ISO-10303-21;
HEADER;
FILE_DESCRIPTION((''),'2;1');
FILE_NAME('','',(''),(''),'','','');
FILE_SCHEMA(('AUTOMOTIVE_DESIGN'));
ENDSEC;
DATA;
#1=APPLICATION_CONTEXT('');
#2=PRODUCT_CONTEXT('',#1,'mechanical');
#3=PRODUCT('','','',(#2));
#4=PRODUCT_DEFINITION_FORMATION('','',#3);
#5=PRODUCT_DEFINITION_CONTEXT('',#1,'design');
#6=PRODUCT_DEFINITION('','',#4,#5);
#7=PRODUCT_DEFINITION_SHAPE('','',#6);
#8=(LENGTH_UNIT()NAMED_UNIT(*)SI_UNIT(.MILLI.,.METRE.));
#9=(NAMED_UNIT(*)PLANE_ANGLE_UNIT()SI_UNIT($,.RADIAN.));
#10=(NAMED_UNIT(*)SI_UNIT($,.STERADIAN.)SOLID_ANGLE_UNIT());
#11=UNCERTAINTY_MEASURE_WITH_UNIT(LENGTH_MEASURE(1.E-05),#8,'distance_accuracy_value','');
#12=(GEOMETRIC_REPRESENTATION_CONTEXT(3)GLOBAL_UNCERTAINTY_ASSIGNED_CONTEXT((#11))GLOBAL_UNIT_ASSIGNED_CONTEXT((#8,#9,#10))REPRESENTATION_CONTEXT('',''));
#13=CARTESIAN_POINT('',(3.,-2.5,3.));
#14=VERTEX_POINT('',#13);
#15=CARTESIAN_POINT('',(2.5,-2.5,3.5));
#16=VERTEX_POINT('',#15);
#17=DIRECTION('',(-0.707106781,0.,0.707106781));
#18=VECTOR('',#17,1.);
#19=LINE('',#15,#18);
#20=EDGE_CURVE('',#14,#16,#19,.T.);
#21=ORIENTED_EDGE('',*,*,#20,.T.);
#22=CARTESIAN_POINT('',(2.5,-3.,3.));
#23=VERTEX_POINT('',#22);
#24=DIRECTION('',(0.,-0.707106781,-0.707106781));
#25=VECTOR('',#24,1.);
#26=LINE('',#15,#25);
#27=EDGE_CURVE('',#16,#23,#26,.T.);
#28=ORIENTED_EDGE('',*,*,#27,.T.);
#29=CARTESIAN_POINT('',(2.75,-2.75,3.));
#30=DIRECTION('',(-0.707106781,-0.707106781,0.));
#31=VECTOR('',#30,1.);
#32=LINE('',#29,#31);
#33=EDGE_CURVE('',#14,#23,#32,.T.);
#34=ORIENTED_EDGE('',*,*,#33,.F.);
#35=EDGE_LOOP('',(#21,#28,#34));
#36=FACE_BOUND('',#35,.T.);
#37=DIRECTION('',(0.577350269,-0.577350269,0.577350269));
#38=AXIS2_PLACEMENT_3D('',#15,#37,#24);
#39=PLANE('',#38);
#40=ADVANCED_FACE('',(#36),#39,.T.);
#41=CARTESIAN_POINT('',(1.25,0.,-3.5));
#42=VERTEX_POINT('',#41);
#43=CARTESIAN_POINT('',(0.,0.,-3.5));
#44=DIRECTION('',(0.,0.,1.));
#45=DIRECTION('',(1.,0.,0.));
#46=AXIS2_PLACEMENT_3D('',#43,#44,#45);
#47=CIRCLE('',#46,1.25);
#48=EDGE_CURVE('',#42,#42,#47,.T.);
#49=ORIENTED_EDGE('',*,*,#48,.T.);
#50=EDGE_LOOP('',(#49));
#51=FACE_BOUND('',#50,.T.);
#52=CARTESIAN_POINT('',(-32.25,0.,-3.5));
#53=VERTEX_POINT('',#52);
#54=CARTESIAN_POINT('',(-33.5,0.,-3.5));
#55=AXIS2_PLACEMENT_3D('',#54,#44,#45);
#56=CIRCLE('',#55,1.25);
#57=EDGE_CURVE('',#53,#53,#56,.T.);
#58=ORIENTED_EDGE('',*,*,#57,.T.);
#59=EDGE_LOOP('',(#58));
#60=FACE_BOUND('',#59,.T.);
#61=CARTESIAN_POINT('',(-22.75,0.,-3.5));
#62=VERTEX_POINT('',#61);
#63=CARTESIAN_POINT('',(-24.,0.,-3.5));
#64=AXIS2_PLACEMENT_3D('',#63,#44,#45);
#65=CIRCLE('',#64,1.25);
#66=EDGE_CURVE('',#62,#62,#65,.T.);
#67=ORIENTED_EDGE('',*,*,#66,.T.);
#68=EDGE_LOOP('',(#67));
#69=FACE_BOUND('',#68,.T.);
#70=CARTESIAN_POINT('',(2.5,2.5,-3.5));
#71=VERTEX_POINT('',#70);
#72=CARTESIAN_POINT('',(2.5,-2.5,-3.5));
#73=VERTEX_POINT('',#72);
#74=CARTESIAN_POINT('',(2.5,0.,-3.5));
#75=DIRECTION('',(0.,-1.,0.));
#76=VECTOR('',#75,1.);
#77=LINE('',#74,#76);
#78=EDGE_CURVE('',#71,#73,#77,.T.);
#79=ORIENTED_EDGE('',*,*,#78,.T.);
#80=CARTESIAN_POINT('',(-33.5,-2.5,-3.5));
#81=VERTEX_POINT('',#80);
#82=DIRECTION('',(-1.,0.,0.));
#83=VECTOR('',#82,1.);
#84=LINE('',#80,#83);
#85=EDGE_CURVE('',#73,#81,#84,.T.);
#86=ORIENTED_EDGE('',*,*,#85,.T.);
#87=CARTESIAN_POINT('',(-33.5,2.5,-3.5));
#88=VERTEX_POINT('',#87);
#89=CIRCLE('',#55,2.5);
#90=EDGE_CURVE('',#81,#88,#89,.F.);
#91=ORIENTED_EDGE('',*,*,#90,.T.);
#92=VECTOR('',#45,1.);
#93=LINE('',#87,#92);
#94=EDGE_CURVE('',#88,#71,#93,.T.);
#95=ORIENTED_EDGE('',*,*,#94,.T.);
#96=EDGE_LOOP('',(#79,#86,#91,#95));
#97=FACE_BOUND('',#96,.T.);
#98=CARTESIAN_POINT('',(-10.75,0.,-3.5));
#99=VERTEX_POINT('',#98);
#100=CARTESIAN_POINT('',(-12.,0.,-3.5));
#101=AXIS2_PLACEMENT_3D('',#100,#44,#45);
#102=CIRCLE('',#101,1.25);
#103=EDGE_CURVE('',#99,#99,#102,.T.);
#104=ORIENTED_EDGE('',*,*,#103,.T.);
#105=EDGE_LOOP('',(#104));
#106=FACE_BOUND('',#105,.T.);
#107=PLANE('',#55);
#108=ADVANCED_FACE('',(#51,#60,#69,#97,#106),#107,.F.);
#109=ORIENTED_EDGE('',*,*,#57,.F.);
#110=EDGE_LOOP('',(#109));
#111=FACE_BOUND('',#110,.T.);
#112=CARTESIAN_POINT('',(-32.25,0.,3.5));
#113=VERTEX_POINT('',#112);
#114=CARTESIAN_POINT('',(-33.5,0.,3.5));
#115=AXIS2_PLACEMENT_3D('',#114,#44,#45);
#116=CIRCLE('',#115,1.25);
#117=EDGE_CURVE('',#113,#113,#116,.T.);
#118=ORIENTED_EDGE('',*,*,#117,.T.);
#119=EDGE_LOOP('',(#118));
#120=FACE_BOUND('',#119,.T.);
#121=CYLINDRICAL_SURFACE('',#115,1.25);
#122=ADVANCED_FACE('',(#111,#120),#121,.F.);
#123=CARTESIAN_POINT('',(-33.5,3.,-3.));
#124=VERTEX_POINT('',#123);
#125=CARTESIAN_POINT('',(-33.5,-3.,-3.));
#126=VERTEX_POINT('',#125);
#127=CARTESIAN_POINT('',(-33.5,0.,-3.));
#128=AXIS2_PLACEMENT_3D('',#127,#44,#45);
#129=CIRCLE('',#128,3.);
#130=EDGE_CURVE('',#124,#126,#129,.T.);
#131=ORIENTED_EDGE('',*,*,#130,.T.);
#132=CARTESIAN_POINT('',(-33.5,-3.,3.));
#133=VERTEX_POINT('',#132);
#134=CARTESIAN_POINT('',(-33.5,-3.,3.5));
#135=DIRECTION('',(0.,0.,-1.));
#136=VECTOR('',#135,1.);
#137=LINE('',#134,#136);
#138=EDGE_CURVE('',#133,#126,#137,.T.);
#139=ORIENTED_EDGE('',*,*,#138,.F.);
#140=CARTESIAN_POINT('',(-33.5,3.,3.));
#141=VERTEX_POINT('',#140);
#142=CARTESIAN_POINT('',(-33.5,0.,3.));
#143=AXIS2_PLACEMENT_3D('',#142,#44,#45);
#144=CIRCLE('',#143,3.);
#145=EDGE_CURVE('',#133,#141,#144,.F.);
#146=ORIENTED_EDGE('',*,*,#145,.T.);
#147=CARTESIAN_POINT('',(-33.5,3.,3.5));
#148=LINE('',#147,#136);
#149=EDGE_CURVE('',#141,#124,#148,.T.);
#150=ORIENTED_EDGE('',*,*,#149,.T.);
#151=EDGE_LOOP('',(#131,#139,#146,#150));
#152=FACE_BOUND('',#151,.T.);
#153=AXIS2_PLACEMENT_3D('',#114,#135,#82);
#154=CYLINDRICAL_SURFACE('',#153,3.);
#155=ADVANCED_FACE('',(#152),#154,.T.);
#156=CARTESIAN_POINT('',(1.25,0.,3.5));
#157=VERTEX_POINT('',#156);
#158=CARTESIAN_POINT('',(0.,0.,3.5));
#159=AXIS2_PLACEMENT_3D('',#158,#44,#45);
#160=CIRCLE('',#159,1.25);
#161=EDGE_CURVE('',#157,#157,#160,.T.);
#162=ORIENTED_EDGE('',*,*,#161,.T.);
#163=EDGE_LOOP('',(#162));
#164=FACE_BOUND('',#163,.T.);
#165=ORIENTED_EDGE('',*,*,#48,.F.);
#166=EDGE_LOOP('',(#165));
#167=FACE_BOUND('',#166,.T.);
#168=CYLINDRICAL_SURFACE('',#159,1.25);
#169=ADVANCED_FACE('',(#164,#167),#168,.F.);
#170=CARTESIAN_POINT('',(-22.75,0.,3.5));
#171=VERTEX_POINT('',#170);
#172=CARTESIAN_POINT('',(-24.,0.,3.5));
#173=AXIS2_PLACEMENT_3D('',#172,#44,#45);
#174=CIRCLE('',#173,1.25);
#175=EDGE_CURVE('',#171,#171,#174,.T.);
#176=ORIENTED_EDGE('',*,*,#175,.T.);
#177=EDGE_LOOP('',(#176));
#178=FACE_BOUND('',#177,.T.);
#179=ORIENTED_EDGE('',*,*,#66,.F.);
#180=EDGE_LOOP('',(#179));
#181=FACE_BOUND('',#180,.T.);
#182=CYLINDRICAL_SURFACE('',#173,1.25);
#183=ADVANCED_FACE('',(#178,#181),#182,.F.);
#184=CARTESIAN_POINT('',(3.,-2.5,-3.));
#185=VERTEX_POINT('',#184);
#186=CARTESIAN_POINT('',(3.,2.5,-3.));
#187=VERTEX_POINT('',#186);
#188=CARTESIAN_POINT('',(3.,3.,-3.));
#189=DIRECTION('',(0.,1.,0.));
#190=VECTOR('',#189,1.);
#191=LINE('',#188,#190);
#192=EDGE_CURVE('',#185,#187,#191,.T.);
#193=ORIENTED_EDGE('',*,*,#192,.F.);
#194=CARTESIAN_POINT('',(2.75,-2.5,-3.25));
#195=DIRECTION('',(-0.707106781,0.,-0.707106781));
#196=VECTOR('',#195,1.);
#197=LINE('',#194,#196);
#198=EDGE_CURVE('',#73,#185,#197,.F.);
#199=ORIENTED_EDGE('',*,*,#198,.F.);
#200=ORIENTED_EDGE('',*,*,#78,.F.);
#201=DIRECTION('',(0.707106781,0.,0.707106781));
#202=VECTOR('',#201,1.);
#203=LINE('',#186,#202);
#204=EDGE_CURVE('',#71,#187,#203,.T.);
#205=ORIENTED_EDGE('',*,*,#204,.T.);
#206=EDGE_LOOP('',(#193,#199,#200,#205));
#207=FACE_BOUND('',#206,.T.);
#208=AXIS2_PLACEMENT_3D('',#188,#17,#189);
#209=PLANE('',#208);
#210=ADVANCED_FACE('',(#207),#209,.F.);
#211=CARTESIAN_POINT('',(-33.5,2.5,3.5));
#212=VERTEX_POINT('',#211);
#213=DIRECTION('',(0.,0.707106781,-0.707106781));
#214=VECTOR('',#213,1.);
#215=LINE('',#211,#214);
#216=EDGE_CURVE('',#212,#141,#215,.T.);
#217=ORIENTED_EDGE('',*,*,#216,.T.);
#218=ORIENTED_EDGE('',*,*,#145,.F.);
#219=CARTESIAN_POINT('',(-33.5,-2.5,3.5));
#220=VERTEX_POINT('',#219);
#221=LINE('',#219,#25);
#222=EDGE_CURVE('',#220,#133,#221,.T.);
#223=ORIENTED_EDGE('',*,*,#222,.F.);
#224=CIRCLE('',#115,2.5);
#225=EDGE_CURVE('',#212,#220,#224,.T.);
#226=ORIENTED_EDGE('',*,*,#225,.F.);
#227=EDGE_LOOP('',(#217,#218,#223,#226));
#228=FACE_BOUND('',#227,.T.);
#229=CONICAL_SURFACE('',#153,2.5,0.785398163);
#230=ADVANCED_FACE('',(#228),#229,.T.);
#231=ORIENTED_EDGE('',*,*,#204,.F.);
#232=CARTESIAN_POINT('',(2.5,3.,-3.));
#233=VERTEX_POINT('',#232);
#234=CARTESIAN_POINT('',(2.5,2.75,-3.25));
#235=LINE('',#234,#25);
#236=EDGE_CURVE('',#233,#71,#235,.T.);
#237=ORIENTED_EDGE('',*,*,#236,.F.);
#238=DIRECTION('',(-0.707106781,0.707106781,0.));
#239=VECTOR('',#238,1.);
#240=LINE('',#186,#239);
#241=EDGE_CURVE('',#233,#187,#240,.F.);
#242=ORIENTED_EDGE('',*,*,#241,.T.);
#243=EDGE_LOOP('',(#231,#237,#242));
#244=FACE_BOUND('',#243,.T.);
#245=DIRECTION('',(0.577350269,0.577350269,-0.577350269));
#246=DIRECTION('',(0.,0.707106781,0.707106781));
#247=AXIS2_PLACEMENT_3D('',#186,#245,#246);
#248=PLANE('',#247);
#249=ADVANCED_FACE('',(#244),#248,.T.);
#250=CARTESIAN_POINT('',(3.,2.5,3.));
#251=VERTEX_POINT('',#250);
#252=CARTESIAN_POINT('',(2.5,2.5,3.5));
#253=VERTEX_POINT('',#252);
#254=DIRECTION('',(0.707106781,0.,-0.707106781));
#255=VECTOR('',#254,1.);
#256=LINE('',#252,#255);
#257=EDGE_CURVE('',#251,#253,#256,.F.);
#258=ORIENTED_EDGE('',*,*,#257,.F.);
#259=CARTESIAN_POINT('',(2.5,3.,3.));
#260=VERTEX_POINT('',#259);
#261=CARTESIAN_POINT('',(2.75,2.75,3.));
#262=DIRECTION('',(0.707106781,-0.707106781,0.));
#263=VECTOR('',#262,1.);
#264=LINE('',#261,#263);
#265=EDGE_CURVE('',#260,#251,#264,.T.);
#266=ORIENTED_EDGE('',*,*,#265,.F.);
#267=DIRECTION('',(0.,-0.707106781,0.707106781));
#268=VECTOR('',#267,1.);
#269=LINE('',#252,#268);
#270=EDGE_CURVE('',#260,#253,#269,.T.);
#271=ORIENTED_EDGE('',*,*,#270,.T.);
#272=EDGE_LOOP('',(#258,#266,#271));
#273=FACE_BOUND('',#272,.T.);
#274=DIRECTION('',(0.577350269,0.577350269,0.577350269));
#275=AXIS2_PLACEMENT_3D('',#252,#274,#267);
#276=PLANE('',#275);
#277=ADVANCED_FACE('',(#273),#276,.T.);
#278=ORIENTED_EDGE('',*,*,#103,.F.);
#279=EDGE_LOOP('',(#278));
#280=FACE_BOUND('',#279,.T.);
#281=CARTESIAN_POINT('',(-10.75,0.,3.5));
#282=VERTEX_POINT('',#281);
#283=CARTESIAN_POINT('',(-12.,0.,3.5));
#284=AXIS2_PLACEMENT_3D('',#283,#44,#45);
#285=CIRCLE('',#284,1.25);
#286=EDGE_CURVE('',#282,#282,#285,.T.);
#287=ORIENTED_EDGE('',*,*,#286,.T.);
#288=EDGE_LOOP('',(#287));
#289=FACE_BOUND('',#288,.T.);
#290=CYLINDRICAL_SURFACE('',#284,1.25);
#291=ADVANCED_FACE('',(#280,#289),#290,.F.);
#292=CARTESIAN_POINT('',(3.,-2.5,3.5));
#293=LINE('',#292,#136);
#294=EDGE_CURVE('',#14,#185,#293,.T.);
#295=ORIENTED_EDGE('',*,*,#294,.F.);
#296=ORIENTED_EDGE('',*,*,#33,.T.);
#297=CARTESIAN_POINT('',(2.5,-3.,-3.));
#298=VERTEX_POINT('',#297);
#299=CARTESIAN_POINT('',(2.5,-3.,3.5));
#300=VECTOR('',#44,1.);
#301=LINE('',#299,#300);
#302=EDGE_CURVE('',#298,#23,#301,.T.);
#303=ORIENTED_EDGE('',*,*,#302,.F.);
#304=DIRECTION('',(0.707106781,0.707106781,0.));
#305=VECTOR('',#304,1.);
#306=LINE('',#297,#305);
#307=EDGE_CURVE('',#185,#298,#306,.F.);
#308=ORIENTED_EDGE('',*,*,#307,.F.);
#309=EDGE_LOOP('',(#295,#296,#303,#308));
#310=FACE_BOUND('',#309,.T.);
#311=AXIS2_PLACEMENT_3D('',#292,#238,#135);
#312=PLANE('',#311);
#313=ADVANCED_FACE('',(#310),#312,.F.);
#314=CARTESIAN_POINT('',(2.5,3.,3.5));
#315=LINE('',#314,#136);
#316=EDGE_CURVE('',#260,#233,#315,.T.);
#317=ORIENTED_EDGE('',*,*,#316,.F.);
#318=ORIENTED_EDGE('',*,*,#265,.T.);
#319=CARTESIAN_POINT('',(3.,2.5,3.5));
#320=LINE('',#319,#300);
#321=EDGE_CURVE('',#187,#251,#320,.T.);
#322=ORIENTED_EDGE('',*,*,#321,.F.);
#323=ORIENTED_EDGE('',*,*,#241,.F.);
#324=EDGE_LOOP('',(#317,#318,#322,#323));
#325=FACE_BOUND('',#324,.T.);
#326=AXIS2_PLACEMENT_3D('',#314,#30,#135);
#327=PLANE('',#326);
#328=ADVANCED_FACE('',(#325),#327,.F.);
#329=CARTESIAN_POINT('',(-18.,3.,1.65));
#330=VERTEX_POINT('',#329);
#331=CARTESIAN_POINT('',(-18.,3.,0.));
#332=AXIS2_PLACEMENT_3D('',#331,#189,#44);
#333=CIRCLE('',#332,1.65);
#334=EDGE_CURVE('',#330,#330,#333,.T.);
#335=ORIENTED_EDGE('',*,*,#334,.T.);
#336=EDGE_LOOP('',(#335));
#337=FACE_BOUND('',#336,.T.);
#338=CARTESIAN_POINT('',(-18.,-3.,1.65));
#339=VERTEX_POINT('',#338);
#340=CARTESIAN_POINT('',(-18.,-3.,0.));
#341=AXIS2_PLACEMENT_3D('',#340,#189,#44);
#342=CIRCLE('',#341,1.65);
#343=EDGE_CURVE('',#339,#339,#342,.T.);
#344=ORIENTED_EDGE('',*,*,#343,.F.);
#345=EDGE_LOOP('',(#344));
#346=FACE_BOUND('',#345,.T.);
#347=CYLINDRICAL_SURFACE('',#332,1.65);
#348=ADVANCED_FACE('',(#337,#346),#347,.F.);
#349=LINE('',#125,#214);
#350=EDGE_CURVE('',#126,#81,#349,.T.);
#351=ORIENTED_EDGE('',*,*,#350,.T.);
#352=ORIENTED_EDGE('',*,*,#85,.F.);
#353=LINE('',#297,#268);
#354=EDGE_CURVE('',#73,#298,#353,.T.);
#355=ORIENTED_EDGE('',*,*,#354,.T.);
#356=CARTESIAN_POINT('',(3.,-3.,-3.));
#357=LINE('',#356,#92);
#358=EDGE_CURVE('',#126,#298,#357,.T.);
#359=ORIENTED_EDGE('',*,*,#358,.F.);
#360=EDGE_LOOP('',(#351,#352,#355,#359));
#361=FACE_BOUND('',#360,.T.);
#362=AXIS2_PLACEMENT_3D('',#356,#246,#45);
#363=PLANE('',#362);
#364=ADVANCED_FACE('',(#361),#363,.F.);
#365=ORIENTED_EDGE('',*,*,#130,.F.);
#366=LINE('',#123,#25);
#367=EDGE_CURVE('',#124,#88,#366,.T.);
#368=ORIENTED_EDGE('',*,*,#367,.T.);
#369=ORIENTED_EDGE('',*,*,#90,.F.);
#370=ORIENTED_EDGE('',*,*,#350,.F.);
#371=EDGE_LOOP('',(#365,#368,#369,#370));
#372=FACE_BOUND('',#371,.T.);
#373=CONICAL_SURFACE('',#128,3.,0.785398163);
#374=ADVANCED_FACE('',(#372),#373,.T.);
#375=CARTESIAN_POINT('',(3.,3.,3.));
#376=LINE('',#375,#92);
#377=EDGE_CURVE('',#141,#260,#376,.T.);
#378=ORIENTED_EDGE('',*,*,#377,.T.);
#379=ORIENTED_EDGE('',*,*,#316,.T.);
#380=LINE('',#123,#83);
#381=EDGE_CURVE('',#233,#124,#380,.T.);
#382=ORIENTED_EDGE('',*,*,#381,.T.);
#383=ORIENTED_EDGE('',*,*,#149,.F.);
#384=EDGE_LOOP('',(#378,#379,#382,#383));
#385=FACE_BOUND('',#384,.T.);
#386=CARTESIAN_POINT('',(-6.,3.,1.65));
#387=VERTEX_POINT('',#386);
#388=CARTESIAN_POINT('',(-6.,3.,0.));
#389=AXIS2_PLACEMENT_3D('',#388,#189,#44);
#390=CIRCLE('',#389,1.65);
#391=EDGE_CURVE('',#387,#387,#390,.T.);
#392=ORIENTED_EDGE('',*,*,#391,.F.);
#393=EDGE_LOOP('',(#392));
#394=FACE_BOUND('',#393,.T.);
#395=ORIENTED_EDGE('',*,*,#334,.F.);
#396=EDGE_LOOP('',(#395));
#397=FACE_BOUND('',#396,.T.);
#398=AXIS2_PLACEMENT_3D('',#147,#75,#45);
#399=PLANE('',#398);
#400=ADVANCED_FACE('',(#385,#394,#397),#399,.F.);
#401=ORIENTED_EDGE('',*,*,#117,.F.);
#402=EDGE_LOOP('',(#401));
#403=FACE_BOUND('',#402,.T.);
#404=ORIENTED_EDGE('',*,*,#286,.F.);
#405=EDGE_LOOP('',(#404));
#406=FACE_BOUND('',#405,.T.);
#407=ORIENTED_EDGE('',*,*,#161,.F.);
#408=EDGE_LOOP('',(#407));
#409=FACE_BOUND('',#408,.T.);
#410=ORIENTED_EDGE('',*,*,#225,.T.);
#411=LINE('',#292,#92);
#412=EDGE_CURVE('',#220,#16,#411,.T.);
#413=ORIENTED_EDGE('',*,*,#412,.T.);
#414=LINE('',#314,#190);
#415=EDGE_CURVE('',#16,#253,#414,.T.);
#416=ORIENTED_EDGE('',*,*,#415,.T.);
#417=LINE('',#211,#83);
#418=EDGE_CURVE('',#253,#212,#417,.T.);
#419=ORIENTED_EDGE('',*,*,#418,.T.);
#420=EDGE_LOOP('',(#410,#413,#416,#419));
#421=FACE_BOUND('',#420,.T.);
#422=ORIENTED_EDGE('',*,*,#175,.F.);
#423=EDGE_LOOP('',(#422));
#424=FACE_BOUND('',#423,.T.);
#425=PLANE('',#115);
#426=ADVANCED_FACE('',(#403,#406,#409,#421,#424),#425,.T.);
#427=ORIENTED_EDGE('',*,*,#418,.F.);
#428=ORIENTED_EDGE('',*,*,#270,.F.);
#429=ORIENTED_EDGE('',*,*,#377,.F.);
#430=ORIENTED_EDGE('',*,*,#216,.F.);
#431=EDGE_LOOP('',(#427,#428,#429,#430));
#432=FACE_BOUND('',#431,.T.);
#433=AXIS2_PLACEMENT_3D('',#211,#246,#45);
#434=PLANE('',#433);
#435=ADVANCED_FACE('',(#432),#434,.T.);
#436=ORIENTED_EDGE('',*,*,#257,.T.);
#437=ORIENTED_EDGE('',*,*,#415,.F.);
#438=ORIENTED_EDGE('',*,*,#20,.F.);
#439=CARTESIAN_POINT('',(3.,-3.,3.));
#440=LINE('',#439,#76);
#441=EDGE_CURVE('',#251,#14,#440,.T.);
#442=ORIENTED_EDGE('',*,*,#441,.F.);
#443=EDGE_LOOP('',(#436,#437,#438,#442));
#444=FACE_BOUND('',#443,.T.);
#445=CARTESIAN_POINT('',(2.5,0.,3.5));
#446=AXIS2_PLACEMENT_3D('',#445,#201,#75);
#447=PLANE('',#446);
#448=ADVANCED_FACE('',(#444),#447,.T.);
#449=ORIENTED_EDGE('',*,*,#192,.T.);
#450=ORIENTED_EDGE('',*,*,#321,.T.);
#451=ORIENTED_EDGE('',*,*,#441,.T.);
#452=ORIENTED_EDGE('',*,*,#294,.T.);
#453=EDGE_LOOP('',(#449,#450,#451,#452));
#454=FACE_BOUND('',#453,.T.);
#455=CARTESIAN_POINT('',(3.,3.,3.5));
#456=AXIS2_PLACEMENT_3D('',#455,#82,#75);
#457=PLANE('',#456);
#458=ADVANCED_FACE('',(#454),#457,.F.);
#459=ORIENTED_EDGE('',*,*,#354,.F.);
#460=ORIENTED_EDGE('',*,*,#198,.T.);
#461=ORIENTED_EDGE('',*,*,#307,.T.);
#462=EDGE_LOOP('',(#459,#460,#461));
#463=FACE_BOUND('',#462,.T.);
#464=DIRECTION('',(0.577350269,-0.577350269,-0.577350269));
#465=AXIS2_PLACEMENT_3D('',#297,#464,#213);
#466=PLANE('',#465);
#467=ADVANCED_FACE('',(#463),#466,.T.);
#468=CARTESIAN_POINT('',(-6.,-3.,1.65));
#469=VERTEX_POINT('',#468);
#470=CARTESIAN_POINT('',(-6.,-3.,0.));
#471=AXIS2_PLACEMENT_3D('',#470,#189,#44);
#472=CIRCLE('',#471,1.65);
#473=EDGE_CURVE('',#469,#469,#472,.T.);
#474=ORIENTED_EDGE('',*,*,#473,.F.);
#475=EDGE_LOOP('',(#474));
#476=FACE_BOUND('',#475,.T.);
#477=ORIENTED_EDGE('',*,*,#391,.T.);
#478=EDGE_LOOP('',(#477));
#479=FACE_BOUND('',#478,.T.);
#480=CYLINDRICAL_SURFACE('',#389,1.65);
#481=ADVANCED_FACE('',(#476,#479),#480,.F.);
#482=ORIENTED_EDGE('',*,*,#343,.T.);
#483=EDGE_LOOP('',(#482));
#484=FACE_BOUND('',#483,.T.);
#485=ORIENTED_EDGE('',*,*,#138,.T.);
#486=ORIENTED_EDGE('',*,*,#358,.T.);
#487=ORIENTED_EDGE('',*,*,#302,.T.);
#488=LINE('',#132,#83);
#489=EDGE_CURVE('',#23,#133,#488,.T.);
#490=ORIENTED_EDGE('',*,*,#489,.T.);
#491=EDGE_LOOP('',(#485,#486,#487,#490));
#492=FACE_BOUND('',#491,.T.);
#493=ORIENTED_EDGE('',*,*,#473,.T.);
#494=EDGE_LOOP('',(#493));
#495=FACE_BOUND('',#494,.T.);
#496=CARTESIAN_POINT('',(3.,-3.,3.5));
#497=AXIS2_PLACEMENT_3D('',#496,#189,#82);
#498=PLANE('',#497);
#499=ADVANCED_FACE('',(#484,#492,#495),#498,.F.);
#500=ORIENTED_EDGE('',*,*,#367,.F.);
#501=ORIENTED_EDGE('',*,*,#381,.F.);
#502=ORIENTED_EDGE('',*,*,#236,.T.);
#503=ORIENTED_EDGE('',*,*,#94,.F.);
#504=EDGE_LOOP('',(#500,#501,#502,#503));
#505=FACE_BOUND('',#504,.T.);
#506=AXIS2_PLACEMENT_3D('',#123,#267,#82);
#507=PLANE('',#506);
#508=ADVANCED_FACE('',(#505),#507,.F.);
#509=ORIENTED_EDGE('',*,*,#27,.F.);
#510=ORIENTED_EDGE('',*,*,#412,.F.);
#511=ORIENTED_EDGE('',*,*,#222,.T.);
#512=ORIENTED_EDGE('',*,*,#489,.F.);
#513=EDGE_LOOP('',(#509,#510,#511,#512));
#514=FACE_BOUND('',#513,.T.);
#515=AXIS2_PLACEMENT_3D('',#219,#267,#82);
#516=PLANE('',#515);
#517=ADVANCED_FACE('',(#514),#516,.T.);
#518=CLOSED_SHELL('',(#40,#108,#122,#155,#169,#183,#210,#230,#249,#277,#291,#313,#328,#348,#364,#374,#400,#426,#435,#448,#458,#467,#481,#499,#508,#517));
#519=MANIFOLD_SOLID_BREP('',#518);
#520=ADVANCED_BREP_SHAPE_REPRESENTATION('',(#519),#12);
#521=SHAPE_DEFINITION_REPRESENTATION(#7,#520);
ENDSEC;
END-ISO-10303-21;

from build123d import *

# Parameters (mm, degrees)
SKETCH_2_R         = 0.5
EXTRUDE_1_DEPTH    = 3.5
HOLE_WIZARD_M3_1_D = 2.5
HOLE_WIZARD_M4_1_D = 3.3
CHAMFER_1_SIZE     = 0.5


with BuildPart() as part:
    # 草图2 → 凸台-拉伸1 (new, symmetric)
    with BuildSketch(Plane.XY):
        with BuildLine():
            Line((3, 3), (3, -3))
            Line((3, -3), (-33.5, -3))
            ThreePointArc((-33.5, -3), (-36.5, 0), (-33.5, 3))
            Line((-33.5, 3), (3, 3))
        make_face()
        with Locations((-33.5, 0)):
            Circle(SKETCH_2_R, mode=Mode.SUBTRACT)
        with Locations((-24, 0)):
            Circle(SKETCH_2_R, mode=Mode.SUBTRACT)
        with Locations((-12, 0)):
            Circle(SKETCH_2_R, mode=Mode.SUBTRACT)
        Circle(SKETCH_2_R, mode=Mode.SUBTRACT)
    extrude(amount=EXTRUDE_1_DEPTH, both=True)

    # M3 螺纹孔1 (through all)
    with Locations(Plane.XY.offset(3.5)):
        with Locations((0, 0), (-12, 0), (-24, 0), (-33.5, 0)):
            Hole(HOLE_WIZARD_M3_1_D / 2)

    # M4 螺纹孔1 (through all)
    with Locations(Plane(origin=(0, 3, 0), x_dir=(1, 0, 0), z_dir=(0, 1, 0))):
        with Locations((-6, 0), (-18, 0)):
            Hole(HOLE_WIZARD_M4_1_D / 2)

    # 倒角1
    chamfer_1_edges = [part.edges().sort_by_distance(p)[0] for p in [
        (-15.25, -3, 3.5),
        (3, 0, 3.5),
        (-15.25, 3, 3.5),
        (3, 0, -3.5),
        (-15.25, -3, -3.5),
        (-36.5, 0, -3.5),
        (-15.25, 3, -3.5),
        (-36.5, 0, 3.5),
        (3, 3, 0),
        (3, -3, 0),
    ]]
    chamfer(chamfer_1_edges, length=CHAMFER_1_SIZE)


solid = part.part
